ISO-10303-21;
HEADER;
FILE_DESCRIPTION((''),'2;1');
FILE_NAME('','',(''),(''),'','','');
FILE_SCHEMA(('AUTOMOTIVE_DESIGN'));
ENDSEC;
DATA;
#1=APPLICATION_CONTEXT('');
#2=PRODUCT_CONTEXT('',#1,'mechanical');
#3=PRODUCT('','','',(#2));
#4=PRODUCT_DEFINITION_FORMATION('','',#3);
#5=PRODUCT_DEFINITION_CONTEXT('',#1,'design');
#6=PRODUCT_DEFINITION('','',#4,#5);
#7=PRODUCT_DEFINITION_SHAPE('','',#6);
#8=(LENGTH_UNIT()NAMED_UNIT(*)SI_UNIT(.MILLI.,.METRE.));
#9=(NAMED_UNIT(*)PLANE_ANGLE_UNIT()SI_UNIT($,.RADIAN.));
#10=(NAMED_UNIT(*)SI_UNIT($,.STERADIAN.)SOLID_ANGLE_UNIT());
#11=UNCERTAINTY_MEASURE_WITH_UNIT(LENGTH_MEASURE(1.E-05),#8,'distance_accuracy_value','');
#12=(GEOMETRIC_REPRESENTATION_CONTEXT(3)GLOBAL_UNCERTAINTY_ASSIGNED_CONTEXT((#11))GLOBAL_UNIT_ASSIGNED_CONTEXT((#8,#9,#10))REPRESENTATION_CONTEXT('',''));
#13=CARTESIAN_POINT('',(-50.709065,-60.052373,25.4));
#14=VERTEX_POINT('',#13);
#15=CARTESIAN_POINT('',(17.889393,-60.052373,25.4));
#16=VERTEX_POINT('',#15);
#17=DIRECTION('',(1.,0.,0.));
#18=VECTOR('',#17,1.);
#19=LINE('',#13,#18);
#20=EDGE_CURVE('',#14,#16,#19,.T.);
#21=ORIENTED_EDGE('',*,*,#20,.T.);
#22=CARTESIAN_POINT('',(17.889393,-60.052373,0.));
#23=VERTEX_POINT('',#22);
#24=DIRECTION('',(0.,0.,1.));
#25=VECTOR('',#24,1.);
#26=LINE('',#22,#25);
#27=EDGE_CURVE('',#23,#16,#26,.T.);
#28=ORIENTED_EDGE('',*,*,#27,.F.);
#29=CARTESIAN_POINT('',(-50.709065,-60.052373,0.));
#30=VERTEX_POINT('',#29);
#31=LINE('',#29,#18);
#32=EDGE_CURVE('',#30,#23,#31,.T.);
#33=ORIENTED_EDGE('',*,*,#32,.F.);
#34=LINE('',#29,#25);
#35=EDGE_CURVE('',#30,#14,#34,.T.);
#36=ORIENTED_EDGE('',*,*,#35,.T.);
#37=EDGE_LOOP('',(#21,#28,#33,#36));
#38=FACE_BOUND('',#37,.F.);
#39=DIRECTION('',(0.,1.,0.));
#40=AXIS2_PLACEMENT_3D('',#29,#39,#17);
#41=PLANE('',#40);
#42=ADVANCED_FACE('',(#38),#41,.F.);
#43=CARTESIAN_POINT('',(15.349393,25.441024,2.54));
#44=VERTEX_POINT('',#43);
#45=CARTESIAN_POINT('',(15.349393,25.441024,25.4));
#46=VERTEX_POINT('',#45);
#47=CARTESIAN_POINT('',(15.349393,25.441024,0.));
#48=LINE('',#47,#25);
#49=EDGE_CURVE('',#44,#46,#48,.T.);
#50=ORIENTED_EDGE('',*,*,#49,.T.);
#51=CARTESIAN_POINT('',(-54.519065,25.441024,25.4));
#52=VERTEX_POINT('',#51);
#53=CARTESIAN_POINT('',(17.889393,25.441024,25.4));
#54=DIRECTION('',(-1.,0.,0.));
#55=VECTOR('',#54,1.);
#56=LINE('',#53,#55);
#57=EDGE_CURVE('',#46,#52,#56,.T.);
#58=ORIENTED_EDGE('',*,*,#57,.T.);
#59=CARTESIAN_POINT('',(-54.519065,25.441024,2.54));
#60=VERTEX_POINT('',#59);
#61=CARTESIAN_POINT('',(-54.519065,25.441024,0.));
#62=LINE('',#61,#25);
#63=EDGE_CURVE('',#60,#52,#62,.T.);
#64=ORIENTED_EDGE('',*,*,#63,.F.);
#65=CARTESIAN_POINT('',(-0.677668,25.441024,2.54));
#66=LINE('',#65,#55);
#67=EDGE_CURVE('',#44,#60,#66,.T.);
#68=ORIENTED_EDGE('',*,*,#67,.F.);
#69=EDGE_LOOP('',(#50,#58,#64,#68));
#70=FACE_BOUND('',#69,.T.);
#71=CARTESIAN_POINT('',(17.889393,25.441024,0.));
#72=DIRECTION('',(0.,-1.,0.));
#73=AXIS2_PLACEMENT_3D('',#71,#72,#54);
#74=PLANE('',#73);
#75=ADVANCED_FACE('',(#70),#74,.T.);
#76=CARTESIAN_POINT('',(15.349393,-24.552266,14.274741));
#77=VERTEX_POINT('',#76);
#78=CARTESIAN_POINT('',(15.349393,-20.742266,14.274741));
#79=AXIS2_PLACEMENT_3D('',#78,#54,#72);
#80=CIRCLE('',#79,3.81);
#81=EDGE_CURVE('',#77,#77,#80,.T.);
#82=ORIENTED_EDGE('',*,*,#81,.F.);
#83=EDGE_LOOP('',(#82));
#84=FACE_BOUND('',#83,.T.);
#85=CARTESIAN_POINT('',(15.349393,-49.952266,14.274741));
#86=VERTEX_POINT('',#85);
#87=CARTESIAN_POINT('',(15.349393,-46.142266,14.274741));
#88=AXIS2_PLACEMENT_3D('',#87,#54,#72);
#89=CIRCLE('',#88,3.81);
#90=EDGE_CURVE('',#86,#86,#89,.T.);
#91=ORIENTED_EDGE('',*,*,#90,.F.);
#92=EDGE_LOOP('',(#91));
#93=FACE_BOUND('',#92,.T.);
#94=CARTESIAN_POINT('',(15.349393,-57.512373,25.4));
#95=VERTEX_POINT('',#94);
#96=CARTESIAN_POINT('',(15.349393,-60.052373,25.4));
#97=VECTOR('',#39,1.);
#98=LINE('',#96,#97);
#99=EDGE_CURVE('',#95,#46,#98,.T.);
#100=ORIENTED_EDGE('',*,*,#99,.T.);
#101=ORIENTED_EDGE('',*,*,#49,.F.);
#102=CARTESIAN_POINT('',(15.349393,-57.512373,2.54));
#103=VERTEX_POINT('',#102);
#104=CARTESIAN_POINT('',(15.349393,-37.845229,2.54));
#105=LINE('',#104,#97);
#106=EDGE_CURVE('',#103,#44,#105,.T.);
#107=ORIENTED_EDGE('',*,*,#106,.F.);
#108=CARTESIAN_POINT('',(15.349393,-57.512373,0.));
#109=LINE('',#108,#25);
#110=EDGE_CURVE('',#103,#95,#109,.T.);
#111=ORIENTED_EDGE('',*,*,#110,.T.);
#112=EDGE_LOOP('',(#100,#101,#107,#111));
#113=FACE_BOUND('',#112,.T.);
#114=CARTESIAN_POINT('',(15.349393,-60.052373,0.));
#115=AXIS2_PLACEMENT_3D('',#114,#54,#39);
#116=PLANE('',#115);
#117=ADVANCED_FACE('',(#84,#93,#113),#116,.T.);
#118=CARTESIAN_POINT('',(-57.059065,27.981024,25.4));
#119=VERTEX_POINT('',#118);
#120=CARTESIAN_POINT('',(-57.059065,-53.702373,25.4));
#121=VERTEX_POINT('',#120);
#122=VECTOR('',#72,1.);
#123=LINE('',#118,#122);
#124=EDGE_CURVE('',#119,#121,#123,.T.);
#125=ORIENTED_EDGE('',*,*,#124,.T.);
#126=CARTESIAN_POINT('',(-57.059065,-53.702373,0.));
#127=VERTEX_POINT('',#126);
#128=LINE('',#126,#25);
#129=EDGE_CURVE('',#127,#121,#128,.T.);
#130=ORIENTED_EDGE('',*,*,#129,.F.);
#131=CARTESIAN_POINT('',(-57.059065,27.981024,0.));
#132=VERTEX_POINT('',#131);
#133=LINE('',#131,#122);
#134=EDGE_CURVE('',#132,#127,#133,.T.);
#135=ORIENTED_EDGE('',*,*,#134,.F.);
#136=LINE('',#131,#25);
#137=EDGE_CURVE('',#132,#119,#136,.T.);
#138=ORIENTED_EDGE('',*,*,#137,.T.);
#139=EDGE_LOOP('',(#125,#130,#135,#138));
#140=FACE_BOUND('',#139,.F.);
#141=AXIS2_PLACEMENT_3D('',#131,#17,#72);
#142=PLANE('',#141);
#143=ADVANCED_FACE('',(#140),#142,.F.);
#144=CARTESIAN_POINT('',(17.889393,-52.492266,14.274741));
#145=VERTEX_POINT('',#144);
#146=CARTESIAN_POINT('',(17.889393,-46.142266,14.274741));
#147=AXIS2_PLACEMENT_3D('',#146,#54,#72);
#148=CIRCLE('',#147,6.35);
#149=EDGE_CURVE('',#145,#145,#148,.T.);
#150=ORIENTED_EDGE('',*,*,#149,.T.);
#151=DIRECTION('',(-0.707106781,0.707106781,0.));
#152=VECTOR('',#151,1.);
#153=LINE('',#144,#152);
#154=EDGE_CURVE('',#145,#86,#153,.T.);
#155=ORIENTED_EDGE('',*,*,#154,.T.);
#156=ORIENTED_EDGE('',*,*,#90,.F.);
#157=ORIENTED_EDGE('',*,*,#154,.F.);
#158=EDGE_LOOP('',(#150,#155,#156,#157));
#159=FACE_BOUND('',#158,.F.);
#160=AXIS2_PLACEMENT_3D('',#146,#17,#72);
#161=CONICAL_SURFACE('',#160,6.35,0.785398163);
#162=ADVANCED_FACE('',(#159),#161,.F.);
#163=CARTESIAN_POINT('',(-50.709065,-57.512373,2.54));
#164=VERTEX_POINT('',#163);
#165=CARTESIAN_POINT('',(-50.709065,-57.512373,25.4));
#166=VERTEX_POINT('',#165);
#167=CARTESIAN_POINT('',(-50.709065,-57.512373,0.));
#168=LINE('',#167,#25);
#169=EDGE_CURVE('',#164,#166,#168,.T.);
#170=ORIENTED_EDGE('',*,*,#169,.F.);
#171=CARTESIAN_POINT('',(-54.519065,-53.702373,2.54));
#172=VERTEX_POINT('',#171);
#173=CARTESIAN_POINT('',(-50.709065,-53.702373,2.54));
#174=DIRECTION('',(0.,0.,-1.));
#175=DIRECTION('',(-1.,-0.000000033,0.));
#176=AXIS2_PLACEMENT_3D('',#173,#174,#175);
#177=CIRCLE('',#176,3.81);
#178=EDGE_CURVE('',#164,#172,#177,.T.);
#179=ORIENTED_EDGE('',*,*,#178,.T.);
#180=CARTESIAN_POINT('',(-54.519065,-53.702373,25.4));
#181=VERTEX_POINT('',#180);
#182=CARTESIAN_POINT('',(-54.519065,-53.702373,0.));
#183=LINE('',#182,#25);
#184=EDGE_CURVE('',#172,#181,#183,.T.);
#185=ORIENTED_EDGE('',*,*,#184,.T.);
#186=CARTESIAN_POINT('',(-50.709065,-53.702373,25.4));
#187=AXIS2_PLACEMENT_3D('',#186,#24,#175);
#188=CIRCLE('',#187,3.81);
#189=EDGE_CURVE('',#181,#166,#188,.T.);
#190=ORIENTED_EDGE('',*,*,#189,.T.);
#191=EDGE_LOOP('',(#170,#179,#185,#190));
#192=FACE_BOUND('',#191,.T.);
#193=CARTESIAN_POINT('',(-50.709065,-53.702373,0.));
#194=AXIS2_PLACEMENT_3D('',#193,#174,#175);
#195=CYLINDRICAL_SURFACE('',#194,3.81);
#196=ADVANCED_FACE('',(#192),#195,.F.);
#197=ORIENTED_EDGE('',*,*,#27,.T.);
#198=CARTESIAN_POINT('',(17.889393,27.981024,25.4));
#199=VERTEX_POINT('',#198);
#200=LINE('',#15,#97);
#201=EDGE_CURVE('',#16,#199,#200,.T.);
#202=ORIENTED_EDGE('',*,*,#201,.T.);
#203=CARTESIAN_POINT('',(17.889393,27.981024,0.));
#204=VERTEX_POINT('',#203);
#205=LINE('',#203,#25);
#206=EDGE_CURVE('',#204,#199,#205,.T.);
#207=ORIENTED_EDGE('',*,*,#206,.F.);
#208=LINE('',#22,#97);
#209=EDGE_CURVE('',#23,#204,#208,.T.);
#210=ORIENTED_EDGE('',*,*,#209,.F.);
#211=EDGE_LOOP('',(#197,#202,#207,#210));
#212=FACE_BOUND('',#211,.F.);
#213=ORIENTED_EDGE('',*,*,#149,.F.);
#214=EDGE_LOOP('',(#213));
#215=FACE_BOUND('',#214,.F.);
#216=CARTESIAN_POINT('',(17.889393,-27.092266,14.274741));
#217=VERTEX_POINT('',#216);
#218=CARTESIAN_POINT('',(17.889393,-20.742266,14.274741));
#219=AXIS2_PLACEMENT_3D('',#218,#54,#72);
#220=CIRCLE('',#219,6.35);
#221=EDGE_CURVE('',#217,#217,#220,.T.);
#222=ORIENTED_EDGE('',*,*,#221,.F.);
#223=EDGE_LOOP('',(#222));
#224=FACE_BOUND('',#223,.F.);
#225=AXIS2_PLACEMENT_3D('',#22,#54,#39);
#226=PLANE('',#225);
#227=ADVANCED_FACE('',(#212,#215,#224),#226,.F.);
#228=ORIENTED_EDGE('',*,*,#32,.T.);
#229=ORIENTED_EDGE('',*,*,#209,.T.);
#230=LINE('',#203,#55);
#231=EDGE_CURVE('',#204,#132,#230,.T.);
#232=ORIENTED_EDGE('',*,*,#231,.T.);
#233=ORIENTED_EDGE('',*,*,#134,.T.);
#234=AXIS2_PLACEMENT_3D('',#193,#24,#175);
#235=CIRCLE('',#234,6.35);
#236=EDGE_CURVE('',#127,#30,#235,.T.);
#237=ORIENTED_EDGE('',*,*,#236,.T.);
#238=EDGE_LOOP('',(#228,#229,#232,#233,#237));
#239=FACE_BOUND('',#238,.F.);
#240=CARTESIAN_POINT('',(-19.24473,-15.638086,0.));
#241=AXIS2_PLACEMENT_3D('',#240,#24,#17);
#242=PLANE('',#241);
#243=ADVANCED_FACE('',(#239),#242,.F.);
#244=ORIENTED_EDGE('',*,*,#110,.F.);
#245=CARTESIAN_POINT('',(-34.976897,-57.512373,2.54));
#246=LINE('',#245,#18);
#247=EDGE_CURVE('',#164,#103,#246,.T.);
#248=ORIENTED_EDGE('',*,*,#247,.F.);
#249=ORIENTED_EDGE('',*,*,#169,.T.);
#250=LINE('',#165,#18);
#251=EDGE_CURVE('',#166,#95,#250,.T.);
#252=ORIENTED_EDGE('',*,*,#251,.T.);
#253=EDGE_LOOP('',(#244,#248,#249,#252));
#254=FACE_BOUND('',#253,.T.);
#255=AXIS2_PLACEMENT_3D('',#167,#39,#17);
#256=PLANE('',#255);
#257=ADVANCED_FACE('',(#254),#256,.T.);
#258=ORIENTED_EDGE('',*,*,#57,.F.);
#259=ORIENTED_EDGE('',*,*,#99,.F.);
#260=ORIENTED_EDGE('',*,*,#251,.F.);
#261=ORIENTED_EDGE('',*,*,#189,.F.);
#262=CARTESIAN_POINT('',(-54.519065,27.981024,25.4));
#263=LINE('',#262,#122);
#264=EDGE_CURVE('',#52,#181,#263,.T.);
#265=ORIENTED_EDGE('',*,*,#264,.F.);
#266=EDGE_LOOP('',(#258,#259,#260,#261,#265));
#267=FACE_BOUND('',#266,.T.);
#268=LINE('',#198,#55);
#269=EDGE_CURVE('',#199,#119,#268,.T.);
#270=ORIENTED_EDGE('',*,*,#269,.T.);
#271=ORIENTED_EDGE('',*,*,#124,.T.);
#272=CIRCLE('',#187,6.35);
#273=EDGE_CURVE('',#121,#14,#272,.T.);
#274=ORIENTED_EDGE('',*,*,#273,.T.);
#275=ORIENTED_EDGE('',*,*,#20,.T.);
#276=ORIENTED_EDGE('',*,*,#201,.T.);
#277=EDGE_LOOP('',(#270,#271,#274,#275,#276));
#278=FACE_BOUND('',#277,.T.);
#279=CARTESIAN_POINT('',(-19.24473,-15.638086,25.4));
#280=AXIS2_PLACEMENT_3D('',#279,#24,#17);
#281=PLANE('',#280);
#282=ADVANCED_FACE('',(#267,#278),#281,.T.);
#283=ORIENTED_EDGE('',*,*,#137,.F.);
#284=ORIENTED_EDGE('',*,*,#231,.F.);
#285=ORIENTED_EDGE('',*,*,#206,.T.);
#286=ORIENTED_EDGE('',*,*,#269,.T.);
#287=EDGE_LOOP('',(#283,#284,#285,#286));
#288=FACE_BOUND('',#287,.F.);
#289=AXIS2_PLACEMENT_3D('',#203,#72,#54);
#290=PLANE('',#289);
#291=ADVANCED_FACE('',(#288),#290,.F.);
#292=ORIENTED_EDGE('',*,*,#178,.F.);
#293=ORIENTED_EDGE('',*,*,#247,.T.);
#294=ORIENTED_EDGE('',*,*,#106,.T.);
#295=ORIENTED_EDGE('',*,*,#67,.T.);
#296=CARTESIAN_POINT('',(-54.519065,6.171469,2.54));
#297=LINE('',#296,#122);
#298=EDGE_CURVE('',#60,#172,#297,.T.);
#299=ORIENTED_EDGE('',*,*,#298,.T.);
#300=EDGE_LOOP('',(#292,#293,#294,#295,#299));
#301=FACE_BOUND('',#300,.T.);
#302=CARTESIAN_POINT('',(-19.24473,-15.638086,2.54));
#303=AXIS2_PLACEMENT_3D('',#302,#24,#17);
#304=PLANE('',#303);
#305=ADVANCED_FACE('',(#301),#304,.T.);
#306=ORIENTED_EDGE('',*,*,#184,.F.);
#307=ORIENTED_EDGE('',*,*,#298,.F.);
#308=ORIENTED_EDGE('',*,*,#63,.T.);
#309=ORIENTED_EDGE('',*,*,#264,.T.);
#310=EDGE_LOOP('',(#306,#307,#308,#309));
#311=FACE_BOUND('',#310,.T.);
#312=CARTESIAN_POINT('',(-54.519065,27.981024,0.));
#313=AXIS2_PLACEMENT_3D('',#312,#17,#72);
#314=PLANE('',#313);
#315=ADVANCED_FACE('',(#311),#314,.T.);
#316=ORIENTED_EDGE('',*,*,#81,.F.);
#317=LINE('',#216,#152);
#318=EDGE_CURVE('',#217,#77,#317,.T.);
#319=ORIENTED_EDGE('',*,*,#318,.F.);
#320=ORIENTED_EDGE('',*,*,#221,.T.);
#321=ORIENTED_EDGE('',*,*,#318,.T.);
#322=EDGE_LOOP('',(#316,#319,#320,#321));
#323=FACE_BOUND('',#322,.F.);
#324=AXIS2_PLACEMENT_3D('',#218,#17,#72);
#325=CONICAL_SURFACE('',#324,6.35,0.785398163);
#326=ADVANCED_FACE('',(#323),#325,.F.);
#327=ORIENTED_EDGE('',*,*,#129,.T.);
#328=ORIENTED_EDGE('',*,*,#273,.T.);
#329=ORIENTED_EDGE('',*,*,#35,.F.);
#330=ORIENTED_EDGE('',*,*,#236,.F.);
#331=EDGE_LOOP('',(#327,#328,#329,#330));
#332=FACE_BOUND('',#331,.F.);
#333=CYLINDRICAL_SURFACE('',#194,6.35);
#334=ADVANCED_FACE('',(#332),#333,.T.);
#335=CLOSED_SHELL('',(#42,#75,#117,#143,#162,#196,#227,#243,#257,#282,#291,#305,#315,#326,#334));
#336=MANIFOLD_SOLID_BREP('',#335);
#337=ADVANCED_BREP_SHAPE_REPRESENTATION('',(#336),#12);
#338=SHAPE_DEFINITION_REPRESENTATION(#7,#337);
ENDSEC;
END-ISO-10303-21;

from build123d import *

# Parameters (mm, degrees)
F1_DEPTH       = 25.4
F2_T           = -2.54
F4_D           = 6.35
F4_DEPTH       = 12.7
F4_CSINK_D     = 12.7
F4_CSINK_ANGLE = 90


with BuildPart() as f1:
    # F0 (on Top) → F1 (new body)
    with BuildSketch(Plane.XY):
        with BuildLine():
            ThreePointArc((-57.059065, -53.702373), (-55.199193, -58.192501), (-50.709065, -60.052373))
            Line((-50.709065, -60.052373), (17.889393, -60.052373))
            Line((17.889393, -60.052373), (17.889393, 27.981024))
            Line((17.889393, 27.981024), (-57.059065, 27.981024))
            Line((-57.059065, 27.981024), (-57.059065, -53.702373))
        make_face()
    extrude(amount=F1_DEPTH)

    # F2
    f2_openings = [f1.faces().sort_by_distance(p)[0] for p in [
        (-19.537486, -15.979733, 25.4),
    ]]
    offset(amount=F2_T, openings=f2_openings)

    # F4
    with Locations(Plane.YZ.offset(17.889393)):
        with Locations((-46.142266, 14.274741), (-20.742266, 14.274741)):
            CounterSinkHole(F4_D / 2, F4_CSINK_D / 2, depth=F4_DEPTH, counter_sink_angle=F4_CSINK_ANGLE)


solid = f1.part
